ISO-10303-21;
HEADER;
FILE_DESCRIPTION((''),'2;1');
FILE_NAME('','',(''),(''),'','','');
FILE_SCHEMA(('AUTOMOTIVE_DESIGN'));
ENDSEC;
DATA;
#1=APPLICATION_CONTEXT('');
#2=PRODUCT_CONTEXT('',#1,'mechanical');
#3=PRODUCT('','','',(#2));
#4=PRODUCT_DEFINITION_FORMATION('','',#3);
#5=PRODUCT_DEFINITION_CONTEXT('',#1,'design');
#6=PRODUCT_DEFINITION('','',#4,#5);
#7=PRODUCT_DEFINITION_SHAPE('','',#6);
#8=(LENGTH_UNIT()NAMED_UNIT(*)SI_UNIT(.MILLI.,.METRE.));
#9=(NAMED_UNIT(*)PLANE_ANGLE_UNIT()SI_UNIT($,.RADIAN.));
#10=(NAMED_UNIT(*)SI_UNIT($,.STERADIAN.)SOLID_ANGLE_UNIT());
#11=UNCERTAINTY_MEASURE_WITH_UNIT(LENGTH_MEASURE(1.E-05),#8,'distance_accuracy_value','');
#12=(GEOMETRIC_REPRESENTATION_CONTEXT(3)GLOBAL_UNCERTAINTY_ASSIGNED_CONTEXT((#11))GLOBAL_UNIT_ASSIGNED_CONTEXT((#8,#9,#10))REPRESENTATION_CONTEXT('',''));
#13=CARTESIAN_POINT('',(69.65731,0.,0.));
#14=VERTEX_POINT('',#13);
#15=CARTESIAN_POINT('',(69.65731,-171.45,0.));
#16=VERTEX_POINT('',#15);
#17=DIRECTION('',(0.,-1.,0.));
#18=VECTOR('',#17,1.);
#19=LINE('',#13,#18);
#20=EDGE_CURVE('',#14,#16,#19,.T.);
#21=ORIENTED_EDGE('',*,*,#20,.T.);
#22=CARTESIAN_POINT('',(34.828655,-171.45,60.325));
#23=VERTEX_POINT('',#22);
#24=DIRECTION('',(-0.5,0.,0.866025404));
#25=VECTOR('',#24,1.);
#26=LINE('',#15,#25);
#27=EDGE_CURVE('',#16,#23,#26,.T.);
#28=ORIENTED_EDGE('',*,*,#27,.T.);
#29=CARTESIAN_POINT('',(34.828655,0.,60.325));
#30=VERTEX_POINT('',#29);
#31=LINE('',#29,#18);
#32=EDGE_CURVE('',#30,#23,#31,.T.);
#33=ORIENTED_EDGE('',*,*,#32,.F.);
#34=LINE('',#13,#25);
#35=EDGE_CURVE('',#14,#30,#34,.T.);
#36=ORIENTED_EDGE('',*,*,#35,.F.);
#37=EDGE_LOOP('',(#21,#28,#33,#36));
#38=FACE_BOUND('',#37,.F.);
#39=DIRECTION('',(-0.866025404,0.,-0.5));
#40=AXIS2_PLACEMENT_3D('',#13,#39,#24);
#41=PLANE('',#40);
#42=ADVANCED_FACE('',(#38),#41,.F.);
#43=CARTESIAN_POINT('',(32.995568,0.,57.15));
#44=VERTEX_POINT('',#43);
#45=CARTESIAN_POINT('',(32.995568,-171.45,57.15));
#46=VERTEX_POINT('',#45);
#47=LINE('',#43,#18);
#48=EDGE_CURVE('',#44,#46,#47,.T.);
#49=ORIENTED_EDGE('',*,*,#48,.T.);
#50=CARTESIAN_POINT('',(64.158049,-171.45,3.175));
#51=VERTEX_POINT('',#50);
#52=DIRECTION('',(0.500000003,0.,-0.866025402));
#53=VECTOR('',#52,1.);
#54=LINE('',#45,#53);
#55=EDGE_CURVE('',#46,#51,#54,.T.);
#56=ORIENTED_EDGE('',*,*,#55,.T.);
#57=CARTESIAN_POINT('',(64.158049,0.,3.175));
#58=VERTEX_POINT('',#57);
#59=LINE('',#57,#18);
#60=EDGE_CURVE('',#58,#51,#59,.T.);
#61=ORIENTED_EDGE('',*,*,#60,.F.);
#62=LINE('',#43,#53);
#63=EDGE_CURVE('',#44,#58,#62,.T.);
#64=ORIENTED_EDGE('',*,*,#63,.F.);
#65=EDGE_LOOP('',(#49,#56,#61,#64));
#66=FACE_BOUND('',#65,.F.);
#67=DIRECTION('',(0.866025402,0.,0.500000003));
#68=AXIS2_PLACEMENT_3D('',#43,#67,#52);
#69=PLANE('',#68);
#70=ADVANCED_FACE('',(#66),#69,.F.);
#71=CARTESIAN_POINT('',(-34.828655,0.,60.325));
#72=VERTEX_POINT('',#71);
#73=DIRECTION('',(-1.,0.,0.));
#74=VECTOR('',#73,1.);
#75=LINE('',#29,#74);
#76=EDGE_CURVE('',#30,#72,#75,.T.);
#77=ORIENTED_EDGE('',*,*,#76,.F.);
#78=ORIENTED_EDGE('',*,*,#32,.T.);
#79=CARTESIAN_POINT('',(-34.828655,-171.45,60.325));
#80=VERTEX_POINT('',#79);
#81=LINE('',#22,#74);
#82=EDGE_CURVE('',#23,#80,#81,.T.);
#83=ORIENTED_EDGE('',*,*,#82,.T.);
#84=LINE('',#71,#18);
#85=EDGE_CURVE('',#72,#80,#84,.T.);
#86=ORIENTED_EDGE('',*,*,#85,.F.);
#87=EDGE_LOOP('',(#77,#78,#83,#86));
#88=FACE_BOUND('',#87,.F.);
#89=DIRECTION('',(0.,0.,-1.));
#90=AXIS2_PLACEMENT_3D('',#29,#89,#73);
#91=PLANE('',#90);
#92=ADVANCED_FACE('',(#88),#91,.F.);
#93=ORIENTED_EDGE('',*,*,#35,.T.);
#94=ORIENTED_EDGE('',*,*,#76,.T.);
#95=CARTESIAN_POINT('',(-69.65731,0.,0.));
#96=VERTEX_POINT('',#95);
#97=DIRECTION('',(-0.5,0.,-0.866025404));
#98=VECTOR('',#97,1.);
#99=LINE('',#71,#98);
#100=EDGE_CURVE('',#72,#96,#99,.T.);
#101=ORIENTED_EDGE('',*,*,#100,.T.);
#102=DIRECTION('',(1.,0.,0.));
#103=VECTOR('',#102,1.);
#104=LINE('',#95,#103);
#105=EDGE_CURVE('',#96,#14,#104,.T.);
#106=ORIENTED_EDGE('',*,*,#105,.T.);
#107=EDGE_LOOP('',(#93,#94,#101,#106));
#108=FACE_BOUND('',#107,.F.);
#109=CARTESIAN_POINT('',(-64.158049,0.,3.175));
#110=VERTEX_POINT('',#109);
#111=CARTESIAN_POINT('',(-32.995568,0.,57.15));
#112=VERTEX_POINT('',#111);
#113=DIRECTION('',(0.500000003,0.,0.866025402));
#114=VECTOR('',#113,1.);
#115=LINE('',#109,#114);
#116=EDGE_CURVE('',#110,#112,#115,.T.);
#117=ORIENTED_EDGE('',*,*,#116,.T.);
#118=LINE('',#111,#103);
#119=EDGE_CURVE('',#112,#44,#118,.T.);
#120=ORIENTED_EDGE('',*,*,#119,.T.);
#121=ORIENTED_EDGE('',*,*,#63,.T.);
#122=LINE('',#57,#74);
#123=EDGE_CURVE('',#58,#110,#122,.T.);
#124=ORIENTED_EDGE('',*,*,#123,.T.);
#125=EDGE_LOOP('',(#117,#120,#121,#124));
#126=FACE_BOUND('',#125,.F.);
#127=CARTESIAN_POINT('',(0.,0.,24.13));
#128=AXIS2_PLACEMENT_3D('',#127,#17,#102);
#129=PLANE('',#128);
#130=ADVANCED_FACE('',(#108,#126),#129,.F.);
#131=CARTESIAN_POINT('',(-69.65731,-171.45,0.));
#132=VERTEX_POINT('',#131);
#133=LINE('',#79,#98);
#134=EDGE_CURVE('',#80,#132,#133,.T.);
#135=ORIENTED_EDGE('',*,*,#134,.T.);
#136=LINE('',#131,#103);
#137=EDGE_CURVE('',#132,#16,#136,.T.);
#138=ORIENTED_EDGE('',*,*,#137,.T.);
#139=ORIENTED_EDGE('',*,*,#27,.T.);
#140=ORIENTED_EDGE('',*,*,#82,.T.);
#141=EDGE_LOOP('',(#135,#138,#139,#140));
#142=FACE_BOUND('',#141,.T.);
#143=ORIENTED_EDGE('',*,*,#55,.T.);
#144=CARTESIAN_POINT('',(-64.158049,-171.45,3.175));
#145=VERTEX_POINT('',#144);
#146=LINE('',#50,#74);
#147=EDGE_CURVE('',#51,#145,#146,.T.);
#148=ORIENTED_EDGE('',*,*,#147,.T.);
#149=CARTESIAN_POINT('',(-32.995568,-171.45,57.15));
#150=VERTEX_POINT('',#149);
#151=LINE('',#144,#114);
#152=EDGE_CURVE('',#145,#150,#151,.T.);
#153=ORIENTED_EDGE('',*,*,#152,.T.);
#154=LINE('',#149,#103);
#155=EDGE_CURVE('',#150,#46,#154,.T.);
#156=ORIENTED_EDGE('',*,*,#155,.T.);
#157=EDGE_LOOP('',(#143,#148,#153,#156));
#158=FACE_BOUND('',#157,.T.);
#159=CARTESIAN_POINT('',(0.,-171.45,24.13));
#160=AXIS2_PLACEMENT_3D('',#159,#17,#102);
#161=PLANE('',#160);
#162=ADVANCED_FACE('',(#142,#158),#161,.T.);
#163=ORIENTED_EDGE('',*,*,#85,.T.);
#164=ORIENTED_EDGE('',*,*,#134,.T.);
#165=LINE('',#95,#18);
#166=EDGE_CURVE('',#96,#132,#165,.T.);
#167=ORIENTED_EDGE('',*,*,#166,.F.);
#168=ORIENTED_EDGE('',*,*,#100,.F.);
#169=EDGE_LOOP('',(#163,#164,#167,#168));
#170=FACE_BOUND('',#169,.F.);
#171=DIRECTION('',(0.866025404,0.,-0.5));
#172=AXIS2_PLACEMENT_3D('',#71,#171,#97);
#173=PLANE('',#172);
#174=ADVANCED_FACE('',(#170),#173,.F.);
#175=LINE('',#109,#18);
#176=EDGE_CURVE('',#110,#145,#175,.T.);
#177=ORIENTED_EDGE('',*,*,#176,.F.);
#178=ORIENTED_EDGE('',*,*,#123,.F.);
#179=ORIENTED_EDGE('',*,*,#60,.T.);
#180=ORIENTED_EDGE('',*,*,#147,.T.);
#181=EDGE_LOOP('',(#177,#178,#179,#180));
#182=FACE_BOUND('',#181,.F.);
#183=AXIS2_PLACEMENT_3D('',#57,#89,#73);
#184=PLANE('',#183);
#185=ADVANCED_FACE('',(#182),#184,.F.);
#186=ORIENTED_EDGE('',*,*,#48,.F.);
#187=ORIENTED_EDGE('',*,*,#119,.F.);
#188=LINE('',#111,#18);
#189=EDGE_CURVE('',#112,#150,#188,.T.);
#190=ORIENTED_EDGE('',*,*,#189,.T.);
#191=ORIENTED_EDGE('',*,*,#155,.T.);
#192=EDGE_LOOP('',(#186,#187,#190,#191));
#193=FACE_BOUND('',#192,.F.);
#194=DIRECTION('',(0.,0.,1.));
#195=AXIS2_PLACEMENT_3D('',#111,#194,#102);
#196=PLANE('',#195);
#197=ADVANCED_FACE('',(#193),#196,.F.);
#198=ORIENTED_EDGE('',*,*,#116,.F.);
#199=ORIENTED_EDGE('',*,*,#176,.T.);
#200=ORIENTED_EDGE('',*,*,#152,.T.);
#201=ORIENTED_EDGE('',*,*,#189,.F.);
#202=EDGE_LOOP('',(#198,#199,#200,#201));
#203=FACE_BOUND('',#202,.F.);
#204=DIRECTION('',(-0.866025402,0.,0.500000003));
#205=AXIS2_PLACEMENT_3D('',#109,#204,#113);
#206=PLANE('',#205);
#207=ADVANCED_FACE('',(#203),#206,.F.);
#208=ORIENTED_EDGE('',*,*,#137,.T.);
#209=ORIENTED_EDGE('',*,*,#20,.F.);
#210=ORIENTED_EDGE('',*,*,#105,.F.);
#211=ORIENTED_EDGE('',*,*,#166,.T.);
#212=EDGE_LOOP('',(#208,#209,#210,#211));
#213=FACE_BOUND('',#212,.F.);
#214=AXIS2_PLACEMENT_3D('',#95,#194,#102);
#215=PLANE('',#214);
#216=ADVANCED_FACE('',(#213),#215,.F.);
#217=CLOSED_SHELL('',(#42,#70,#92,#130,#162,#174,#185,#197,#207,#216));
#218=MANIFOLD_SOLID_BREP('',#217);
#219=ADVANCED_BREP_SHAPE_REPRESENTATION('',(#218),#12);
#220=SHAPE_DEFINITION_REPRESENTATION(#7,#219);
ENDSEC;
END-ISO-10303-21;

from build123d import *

# Parameters (mm, degrees)
F1_DEPTH = 171.45


with BuildPart() as f1:
    # F0 (on Front) → F1 (new body)
    with BuildSketch(Plane.XZ):
        Polygon((34.828655, 60.325), (-34.828655, 60.325), (-69.65731, 0), (69.65731, 0), align=None)
        Polygon((-64.158049, 3.175), (-32.995568, 57.15), (32.995568, 57.15), (64.158049, 3.175), align=None, mode=Mode.SUBTRACT)
    extrude(amount=F1_DEPTH)


solid = f1.part
